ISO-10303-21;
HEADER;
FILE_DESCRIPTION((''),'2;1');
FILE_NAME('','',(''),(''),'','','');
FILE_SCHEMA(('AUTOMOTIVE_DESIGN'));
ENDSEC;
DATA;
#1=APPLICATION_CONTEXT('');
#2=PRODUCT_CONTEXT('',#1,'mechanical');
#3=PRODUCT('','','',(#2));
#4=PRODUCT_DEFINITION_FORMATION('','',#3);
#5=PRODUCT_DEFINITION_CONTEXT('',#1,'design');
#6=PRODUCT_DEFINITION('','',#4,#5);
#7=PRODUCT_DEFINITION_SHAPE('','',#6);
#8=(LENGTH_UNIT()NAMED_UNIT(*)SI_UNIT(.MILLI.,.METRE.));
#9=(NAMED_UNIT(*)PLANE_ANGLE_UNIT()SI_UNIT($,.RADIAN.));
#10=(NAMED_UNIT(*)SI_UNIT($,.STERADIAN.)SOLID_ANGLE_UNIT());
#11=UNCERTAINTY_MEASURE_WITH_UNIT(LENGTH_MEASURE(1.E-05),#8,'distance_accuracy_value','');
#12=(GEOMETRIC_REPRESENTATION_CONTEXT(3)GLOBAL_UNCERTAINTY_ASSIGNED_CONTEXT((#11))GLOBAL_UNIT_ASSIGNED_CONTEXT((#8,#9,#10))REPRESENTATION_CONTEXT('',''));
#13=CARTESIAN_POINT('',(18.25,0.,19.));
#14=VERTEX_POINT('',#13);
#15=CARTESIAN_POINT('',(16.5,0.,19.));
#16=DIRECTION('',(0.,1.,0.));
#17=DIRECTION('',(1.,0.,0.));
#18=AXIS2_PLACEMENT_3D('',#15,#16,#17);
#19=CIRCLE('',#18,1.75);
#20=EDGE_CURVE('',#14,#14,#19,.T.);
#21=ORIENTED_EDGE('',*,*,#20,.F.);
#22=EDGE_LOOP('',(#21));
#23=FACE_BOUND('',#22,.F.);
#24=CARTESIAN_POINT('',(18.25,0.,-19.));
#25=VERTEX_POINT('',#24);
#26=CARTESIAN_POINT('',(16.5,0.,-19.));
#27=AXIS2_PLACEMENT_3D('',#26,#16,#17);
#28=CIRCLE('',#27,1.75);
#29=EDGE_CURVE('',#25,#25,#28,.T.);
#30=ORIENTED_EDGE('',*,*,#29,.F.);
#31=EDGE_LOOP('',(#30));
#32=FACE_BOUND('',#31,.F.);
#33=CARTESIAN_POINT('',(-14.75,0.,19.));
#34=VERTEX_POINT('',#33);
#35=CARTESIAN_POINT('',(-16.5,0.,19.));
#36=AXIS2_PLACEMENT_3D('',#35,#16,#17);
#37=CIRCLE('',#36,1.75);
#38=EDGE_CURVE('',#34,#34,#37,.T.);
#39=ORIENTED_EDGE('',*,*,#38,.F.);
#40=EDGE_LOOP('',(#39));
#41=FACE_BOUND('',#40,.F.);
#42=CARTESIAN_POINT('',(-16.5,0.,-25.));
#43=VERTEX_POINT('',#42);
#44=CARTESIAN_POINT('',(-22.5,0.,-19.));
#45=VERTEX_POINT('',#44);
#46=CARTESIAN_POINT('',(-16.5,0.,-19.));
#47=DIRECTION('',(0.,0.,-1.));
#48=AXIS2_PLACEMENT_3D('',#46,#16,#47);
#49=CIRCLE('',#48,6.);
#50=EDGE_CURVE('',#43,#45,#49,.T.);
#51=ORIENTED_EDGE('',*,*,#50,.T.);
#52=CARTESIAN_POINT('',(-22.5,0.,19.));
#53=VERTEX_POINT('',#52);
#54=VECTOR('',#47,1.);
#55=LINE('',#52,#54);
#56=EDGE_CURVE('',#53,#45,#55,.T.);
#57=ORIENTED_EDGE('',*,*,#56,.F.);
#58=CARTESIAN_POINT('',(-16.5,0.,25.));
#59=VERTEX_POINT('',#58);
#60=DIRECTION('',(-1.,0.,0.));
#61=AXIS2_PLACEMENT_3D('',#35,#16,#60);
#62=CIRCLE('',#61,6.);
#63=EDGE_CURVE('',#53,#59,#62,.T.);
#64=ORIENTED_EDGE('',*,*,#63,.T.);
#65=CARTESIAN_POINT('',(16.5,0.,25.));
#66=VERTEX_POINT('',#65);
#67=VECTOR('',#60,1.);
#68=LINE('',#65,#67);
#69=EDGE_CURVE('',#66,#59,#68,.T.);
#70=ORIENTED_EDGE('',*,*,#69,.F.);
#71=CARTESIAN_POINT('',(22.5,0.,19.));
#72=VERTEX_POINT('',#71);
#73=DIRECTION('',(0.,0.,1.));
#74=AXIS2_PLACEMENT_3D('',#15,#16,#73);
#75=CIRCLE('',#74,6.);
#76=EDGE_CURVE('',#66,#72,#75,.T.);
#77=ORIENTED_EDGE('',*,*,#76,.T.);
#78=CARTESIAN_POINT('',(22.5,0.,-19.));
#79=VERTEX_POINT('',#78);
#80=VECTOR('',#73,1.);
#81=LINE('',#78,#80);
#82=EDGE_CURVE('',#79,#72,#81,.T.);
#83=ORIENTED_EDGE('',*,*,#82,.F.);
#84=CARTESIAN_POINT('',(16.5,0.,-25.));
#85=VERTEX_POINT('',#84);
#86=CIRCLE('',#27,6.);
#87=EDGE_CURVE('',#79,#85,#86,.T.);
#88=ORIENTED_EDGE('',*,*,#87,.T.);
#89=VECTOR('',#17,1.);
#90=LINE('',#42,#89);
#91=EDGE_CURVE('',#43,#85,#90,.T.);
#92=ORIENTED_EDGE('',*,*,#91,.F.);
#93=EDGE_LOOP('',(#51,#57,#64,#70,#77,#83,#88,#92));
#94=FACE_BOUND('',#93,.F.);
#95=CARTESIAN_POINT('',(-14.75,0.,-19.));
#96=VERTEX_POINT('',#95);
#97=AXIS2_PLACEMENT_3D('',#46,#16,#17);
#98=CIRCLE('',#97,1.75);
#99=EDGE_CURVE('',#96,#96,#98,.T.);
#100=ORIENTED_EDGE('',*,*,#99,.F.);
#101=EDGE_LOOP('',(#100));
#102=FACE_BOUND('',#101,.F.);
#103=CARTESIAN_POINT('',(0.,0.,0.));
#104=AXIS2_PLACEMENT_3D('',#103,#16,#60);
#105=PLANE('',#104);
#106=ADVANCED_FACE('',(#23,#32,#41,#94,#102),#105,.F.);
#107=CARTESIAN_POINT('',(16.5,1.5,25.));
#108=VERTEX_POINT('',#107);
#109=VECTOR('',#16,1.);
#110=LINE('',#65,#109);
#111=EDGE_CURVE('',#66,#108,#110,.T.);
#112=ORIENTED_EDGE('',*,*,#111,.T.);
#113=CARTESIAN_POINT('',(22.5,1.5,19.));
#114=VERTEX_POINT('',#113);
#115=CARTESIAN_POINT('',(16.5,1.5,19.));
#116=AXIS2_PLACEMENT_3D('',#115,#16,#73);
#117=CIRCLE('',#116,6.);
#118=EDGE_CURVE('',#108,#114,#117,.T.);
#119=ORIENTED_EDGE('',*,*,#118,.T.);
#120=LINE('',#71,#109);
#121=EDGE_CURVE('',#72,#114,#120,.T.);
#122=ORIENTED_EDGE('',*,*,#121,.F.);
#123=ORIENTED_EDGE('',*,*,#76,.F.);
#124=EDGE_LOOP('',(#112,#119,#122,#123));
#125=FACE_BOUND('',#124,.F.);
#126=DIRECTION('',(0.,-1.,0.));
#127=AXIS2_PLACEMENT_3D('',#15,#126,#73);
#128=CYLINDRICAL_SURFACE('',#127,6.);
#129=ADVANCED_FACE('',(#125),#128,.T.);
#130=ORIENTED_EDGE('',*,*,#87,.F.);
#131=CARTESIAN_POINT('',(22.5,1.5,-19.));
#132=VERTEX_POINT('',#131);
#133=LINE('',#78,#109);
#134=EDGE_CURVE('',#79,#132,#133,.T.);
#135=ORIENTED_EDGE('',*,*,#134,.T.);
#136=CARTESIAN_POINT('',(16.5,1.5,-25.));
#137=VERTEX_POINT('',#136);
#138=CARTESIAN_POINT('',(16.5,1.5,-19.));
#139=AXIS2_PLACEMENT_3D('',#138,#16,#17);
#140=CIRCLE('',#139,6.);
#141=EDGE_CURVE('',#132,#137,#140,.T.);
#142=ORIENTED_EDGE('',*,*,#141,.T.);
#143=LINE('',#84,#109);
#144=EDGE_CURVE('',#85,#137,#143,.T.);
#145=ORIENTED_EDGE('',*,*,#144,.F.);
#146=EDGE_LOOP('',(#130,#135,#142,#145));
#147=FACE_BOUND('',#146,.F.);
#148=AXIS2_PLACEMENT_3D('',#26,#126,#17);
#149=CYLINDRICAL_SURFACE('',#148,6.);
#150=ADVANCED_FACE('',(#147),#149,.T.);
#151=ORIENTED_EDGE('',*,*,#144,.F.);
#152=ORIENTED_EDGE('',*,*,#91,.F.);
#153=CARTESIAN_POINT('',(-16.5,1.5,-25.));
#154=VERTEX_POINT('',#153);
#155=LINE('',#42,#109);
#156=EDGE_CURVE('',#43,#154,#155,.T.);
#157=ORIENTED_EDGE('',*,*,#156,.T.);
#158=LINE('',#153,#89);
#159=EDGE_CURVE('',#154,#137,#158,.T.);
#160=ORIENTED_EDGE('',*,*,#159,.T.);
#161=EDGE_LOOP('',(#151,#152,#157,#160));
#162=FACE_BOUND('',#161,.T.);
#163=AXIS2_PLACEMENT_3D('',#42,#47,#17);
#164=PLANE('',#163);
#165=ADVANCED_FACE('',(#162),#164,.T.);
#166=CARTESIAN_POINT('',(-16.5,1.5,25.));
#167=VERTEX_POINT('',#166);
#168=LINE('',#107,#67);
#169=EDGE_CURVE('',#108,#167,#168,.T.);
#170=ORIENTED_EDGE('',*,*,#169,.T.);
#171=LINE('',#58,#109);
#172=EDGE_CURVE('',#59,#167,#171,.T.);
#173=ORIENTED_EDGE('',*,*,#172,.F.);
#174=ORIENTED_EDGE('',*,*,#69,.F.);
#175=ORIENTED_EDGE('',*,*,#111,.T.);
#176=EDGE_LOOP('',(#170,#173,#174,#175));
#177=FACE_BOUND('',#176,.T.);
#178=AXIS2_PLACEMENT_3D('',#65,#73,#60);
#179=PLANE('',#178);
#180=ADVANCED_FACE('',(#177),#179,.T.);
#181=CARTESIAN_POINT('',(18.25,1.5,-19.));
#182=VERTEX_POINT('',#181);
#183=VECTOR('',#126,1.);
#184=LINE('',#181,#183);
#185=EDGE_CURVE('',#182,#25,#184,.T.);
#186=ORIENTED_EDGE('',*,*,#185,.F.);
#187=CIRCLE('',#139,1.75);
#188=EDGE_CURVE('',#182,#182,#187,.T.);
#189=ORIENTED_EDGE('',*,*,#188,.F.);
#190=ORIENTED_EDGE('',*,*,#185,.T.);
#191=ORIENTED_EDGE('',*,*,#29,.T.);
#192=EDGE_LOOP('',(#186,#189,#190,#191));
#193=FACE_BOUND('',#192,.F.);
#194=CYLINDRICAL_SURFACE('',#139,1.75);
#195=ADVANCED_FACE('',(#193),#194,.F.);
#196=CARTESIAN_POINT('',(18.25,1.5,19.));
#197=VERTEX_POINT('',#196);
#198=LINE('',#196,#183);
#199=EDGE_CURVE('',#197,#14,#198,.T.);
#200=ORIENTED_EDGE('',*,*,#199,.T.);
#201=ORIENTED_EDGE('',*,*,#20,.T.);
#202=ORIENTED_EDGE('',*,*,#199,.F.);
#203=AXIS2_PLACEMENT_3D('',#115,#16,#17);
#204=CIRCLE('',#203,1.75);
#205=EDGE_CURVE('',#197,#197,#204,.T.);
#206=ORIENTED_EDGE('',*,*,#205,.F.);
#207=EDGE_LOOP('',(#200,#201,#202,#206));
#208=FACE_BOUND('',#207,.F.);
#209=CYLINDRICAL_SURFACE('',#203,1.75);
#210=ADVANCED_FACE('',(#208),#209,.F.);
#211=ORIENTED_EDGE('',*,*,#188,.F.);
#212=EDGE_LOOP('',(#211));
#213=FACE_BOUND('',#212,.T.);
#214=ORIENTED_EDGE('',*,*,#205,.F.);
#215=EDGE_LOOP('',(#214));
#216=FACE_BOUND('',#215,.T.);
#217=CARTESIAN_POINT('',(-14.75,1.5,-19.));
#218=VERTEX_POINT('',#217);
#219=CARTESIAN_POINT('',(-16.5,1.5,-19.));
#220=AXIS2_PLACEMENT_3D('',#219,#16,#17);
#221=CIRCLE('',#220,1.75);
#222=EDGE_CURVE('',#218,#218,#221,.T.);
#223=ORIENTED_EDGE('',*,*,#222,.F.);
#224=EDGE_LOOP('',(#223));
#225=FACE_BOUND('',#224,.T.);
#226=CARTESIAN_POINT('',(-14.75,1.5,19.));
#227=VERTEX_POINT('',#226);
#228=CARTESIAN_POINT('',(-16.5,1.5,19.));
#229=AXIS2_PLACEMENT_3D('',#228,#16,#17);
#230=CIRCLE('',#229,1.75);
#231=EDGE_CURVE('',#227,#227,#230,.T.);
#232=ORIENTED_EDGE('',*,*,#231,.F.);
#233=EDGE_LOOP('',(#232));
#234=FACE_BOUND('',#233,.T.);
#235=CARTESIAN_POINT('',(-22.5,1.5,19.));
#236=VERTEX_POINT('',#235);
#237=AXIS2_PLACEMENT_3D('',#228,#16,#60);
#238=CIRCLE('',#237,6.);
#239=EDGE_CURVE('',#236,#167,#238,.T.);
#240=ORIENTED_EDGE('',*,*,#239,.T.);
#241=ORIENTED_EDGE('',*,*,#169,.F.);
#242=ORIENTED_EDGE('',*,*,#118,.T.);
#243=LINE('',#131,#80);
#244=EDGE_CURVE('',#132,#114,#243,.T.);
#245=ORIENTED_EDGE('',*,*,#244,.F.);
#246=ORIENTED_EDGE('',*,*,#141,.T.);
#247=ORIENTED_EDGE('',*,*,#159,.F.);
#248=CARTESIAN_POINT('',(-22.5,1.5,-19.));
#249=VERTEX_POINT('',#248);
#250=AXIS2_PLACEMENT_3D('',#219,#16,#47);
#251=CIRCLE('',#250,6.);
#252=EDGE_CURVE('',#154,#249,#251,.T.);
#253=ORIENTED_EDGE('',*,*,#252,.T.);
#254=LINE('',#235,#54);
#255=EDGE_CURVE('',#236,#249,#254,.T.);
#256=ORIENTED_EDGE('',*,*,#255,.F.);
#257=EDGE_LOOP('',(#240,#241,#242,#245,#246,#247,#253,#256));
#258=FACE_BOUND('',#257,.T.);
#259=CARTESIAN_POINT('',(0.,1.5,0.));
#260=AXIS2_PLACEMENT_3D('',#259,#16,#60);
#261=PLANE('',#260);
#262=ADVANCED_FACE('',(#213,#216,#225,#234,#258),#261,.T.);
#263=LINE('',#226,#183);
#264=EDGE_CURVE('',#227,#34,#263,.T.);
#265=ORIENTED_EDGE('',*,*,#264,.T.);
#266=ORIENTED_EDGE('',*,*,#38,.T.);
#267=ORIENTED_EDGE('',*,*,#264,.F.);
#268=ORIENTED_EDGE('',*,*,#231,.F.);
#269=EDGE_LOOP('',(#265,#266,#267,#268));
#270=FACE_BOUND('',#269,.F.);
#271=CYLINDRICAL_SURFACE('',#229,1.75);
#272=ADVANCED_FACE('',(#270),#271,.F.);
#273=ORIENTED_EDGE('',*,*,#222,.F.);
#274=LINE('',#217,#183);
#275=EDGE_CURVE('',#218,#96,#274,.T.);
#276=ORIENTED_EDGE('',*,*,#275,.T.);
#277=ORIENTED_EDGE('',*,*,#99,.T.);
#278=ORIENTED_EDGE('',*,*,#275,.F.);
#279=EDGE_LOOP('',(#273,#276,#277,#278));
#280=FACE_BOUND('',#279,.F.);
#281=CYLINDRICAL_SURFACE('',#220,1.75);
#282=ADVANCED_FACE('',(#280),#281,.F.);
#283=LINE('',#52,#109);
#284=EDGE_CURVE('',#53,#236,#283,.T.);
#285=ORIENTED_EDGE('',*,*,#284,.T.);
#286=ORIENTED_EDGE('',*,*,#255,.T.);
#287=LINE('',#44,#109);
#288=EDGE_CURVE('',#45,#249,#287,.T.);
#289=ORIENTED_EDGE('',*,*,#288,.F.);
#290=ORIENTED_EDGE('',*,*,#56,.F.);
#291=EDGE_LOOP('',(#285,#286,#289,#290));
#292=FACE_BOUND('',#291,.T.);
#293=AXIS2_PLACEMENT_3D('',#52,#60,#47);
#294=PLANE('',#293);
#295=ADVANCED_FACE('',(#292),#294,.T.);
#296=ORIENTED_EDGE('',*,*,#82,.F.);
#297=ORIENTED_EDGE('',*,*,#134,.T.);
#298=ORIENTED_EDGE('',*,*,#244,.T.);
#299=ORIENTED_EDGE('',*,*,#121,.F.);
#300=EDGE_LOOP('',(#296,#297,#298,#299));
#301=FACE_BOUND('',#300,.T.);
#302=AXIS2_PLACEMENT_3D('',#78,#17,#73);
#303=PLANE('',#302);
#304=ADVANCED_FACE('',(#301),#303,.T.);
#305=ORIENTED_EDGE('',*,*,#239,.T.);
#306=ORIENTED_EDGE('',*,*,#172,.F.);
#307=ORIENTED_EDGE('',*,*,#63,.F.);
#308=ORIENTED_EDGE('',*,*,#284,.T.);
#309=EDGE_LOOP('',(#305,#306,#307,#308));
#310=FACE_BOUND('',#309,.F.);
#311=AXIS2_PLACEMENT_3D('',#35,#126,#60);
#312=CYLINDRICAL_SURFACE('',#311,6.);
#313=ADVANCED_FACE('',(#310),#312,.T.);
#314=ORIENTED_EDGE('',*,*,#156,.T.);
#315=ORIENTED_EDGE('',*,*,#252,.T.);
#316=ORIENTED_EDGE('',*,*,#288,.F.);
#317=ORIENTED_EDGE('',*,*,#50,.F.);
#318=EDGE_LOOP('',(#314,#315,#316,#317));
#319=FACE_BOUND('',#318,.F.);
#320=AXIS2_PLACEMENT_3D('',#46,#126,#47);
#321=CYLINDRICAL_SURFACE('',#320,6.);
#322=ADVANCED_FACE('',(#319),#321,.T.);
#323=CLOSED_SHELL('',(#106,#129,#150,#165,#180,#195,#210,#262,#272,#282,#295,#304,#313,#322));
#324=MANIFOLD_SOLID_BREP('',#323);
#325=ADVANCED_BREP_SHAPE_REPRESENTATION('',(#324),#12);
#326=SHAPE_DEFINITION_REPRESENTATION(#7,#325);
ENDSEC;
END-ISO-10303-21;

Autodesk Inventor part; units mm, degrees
ref_plane "YZ Plane" through (0, 0, 0) normal (1, 0, 0) x (0, 1, 0)
ref_plane "XZ Plane" through (0, 0, 0) normal (0, 1, 0) x (-1, 0, 0)
ref_plane "XY Plane" through (0, 0, 0) normal (0, 0, 1) x (1, 0, 0)
sketch "Sketch1" plane through (0, 0, 0) normal (0, 1, 0) x (-1, 0, 0)
  line L0 (-16.5, 25) -> (16.5, 25)
  line L1 (22.5, 19) -> (22.5, -19)
  line L2 (16.5, -25) -> (-16.5, -25)
  line L3 (-22.5, -19) -> (-22.5, 19)
  line L4 (-22.5, 25) -> (22.5, -25) construction
  line L5 (22.5, 25) -> (-22.5, -25) construction
  arc A0 (16.5, -25) -> (22.5, -19) centre (16.5, -19) ccw
  arc A1 (22.5, 19) -> (16.5, 25) centre (16.5, 19) ccw
  arc A2 (-16.5, 25) -> (-22.5, 19) centre (-16.5, 19) ccw
  arc A3 (-22.5, -19) -> (-16.5, -25) centre (-16.5, -19) ccw
  point P0 (0, 0)
  dimension "d0" = 45
  dimension "d1" = 50
  dimension "d2" = 6
extrude "Extrusion1" add sketch "Sketch1" along normal blind 1.5
sketch "Sketch2" plane through (0, 1.5, 0) normal (0, 1, 0) x (1, 0, 0)
  arc A0 (-22.5, -19) -> (-16.5, -25) centre (-16.5, -19) ccw projected
  circle A1 centre (-16.5, -19) radius 1.75
  arc A2 (-16.5, 25) -> (-22.5, 19) centre (-16.5, 19) ccw projected
  circle A3 centre (-16.5, 19) radius 1.75
  arc A4 (22.5, 19) -> (16.5, 25) centre (16.5, 19) ccw projected
  circle A5 centre (16.5, 19) radius 1.75
  arc A6 (16.5, -25) -> (22.5, -19) centre (16.5, -19) ccw projected
  circle A7 centre (16.5, -19) radius 1.75
  point P0 (0, 0)
  dimension "d5" = 3.5
  dimension "d6" = 3.5
  dimension "d7" = 3.5
  dimension "d8" = 3.5
extrude "Extrusion2" cut sketch "Sketch2" against normal blind 1.5
properties part number "plaat"
